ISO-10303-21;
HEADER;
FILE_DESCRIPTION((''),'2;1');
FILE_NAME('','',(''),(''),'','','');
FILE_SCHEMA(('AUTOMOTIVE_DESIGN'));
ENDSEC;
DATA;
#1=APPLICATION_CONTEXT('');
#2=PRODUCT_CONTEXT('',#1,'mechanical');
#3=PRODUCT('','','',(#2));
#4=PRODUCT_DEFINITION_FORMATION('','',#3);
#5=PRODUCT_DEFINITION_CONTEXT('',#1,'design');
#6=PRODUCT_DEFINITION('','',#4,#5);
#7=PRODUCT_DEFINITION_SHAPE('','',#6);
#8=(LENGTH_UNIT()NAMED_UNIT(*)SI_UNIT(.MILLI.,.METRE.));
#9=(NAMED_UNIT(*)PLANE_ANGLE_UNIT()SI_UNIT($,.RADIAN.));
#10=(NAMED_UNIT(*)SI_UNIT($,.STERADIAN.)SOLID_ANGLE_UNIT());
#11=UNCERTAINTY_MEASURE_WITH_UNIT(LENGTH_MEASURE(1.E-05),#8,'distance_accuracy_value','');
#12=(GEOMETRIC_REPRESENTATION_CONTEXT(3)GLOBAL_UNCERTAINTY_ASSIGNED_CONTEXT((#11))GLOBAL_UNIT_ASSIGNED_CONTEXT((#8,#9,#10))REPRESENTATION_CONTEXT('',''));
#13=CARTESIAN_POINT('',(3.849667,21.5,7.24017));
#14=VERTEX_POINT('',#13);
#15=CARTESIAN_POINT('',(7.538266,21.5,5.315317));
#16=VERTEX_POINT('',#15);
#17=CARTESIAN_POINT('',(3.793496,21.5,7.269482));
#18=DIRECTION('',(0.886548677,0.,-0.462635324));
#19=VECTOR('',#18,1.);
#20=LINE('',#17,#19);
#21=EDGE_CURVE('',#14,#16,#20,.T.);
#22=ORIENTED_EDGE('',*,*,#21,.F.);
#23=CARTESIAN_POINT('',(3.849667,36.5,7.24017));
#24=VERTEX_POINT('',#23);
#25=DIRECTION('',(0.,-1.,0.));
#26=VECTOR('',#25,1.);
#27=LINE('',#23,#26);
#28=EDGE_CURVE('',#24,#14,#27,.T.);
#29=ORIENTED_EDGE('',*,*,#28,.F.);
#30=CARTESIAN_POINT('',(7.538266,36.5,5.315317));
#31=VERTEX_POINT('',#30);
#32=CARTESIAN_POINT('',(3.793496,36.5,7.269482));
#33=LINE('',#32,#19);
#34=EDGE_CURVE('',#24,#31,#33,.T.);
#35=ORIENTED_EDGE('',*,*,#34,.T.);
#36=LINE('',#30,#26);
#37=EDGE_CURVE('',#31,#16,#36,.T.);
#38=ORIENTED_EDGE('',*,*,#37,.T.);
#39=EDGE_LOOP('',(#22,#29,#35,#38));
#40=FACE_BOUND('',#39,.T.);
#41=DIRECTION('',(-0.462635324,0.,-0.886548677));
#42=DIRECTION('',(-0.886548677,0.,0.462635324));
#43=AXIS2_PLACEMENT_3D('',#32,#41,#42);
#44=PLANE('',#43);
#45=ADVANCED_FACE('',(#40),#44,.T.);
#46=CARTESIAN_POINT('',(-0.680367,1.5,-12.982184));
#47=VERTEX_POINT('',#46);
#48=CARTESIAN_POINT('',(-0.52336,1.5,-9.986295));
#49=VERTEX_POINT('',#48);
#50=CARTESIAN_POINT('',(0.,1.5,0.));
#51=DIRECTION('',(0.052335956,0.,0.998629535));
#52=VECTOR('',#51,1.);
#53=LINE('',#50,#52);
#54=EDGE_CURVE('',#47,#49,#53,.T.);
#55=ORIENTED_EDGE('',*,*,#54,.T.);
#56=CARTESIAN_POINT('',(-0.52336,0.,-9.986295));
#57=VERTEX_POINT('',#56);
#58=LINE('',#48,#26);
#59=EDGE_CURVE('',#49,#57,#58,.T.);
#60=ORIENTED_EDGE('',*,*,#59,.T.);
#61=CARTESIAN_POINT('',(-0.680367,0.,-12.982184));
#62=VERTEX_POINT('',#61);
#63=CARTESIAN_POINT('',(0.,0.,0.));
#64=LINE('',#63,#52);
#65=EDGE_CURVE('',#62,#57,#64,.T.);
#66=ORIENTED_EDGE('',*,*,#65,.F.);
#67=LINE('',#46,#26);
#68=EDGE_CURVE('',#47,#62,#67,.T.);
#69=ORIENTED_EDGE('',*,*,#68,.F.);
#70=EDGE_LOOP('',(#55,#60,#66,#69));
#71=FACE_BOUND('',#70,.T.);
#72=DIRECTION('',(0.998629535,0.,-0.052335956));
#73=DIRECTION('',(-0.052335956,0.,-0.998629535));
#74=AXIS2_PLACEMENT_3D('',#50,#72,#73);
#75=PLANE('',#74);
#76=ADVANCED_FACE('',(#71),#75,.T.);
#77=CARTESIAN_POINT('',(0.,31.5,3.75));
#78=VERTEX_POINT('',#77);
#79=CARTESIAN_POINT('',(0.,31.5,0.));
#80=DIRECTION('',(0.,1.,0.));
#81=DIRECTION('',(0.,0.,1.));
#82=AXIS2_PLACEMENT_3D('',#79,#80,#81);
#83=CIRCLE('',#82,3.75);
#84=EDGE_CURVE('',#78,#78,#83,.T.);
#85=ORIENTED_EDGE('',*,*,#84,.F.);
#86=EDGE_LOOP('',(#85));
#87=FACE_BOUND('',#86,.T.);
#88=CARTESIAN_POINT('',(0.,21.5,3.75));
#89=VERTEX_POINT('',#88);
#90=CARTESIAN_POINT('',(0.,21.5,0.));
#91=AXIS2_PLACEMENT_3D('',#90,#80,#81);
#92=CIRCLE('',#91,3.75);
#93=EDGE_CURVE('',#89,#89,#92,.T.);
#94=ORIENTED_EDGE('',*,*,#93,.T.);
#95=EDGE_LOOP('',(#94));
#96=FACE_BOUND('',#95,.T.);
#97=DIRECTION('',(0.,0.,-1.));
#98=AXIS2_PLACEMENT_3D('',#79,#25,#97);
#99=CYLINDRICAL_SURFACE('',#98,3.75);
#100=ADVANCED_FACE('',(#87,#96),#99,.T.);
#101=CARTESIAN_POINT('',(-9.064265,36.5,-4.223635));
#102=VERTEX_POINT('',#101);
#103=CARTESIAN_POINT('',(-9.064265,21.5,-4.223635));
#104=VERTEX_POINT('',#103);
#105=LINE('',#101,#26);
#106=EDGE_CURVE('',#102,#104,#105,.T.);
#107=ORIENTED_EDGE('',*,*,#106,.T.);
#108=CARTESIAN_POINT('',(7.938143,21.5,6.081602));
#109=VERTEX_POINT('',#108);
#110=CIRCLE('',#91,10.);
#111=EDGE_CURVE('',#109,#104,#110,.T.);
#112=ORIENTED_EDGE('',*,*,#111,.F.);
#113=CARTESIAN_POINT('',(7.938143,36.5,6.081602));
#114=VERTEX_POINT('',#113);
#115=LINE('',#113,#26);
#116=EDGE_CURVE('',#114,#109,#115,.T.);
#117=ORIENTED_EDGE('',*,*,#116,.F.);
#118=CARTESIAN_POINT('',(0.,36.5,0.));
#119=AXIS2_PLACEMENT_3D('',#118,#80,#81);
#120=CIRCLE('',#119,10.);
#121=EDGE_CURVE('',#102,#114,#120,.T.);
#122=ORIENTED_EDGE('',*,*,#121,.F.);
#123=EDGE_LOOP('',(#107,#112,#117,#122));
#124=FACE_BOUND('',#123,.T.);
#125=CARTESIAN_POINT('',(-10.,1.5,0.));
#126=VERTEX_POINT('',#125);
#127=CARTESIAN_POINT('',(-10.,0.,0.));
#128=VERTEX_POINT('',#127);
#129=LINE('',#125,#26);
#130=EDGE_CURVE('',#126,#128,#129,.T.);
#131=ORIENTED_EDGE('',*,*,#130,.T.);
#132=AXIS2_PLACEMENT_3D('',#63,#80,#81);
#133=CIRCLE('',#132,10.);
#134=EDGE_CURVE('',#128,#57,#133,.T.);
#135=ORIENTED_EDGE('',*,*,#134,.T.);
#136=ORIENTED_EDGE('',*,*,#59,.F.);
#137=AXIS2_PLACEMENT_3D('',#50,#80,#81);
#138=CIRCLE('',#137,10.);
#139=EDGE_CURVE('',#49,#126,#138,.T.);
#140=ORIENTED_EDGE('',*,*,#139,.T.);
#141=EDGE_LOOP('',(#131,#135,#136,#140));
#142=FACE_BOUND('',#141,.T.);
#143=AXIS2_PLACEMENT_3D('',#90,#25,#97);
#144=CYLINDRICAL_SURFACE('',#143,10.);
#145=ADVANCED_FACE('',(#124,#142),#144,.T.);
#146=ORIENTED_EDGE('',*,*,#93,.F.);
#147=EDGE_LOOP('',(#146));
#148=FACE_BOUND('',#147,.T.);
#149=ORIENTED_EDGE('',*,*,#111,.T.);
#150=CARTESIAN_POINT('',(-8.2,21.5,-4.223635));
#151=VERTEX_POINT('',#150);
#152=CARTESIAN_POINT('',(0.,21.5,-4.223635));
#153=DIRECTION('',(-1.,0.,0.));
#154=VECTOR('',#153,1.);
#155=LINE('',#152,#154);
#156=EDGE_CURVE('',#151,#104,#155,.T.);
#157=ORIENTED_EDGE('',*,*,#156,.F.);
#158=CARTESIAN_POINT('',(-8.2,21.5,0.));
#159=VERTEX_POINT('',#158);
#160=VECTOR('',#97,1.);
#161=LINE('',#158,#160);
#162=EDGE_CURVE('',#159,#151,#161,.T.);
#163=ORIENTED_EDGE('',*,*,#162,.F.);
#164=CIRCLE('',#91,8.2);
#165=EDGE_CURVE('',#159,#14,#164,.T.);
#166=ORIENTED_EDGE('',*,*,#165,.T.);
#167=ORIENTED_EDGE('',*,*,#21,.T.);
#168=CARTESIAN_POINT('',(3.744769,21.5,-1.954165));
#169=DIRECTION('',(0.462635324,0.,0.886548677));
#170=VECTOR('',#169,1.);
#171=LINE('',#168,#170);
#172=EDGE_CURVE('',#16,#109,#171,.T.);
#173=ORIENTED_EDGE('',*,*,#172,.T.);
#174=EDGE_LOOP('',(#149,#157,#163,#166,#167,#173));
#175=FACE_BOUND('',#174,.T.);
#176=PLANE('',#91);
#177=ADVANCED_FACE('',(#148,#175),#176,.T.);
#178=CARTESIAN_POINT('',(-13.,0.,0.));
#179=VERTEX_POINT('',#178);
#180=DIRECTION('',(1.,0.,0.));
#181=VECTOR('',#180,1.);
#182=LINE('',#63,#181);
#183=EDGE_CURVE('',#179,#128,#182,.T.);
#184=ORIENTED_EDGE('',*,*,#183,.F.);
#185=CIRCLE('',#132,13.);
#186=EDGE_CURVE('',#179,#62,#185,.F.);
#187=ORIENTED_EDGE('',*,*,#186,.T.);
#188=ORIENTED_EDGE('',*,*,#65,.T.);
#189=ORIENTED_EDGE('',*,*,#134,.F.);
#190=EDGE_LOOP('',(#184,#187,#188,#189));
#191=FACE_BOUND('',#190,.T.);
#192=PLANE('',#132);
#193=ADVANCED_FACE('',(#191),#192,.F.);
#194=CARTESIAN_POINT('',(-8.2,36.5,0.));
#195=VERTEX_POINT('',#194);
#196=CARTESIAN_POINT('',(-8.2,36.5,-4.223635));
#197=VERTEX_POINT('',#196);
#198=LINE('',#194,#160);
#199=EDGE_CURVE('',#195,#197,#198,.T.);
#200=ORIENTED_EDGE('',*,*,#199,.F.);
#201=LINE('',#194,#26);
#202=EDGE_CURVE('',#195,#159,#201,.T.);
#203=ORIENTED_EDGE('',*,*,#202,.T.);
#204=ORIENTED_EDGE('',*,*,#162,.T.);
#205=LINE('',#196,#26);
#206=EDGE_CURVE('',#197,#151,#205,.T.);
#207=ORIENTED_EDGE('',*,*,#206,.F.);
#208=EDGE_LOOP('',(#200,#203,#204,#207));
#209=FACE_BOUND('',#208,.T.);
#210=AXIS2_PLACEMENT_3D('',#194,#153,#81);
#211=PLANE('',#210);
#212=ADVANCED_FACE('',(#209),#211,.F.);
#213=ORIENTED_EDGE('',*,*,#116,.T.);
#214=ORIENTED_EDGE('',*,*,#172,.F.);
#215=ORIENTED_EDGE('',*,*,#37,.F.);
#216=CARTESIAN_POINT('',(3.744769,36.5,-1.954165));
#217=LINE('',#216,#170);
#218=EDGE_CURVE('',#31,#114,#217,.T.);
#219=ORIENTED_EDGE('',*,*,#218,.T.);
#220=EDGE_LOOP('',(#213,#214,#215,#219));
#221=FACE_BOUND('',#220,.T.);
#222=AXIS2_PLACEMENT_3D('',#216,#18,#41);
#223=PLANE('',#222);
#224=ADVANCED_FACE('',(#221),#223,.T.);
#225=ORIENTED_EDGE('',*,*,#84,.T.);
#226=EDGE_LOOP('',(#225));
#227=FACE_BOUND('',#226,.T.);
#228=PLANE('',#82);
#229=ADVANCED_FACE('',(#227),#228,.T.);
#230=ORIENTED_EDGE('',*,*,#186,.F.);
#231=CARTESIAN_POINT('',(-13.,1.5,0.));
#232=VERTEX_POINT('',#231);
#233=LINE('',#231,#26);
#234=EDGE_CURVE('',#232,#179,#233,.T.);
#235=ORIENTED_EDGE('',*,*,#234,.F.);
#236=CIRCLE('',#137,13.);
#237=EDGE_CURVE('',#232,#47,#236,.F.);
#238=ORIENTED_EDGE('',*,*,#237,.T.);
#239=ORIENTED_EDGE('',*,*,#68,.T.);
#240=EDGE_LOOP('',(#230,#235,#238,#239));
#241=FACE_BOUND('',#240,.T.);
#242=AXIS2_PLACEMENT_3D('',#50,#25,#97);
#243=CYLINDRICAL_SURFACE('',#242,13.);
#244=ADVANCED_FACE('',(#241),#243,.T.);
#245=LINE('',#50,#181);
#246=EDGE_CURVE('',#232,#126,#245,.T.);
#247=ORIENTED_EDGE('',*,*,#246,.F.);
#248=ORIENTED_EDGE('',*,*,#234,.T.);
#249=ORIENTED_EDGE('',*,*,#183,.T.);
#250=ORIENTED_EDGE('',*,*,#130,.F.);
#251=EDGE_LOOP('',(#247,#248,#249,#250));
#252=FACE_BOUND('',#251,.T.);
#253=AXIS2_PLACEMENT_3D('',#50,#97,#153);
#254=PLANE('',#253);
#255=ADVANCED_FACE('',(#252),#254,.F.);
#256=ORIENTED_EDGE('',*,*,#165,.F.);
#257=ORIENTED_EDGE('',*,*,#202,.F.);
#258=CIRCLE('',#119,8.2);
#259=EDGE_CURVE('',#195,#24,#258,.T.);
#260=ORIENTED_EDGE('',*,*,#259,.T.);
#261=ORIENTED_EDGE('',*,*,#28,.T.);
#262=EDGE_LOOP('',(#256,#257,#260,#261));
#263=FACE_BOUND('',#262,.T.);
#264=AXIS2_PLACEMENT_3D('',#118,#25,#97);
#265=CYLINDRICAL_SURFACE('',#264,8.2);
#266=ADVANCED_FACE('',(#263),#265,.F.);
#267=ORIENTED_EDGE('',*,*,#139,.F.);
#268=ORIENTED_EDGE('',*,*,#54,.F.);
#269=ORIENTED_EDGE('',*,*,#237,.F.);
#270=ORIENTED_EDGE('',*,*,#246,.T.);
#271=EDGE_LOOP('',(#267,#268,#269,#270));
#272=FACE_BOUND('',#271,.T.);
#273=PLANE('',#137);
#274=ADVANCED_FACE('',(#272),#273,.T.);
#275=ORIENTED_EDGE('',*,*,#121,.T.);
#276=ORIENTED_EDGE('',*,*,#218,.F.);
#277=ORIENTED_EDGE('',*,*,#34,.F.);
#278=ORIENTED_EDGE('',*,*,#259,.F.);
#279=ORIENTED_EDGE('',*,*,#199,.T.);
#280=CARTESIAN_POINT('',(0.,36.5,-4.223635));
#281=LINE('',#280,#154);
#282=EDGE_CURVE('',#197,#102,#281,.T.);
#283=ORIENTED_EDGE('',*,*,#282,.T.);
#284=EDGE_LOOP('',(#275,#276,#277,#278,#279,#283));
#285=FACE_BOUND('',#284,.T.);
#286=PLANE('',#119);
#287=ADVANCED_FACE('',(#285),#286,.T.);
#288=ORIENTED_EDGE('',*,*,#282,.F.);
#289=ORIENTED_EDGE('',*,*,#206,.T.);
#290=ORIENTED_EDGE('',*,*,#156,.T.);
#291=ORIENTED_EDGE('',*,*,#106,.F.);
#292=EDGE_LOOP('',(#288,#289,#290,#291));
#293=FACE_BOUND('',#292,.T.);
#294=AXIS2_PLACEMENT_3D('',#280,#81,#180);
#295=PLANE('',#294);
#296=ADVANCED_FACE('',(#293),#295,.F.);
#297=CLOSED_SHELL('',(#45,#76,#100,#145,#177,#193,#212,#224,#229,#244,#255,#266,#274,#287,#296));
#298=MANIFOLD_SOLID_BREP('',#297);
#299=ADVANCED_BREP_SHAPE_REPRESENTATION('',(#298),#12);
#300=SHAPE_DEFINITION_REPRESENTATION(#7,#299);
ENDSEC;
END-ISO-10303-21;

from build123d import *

# Parameters (mm, degrees)
SKETCH1_R           = 10
SKETCH1_R_2         = 8.018181818
BOSS_EXTRUDE1_DEPTH = 21.5
BOSS_EXTRUDE2_DEPTH = 15
SKETCH3_R           = 3.75
BOSS_EXTRUDE3_DEPTH = 10
BOSS_EXTRUDE4_DEPTH = 1.5


with BuildPart() as part:
    # Sketch1 → Boss-Extrude1 (new body)
    # profile 1 of 2: a face of its own
    with BuildSketch(Plane(origin=(0, 0, 0), x_dir=(1, 0, 0), z_dir=(0, 1, 0))):
        with Locations(Location((0, 0, 0), (0, 0, 270))):
            Circle(SKETCH1_R)
        Circle(SKETCH1_R_2, mode=Mode.SUBTRACT)
    # profile 2 of 2: a face of its own
    with BuildSketch(Plane(origin=(0, 0, 0), x_dir=(1, 0, 0), z_dir=(0, 1, 0))):
        Circle(SKETCH1_R_2)
    extrude(amount=BOSS_EXTRUDE1_DEPTH)

    # Sketch2 → Boss-Extrude2 (add)
    with BuildSketch(Plane(origin=(0, 21.5, 0), x_dir=(1, 0, 0), z_dir=(0, 1, 0))):
        with BuildLine():
            ThreePointArc((3.849666815, -7.240170261), (-4.223312214, -7.028771866), (-8.2, 0))
            Line((-8.2, 0), (-8.2, 4.223635209))
            Line((-8.2, 4.223635209), (-9.064265311, 4.223635209))
            ThreePointArc((-9.064265311, 4.223635209), (-5.183292284, -8.551811568), (7.938142814, -6.081602475))
            Line((7.938142814, -6.081602475), (7.538265506, -5.315317068))
            Line((7.538265506, -5.315317068), (3.849666815, -7.240170261))
        make_face()
    extrude(amount=BOSS_EXTRUDE2_DEPTH)

    # Sketch3 → Boss-Extrude3 (add)
    with BuildSketch(Plane(origin=(0, 21.5, 0), x_dir=(1, 0, 0), z_dir=(0, 1, 0))):
        with Locations(Location((0, 0, 0), (0, 0, 270))):
            Circle(SKETCH3_R)
    extrude(amount=BOSS_EXTRUDE3_DEPTH)

    # Sketch4 → Boss-Extrude4 (add)
    with BuildSketch(Plane(origin=(0, 0, 0), x_dir=(1, 0, 0), z_dir=(0, 1, 0))):
        with BuildLine():
            ThreePointArc((-0.680367431, 12.982183952), (-9.429866823, 8.948609484), (-13, 0))
            Line((-13, 0), (-10, 0))
            ThreePointArc((-10, 0), (-9.99657325, 0.261769483), (-9.986295348, 0.523359562))
            ThreePointArc((-9.986295348, 0.523359562), (-7.071067812, 7.071067812), (-0.523359562, 9.986295348))
            Line((-0.523359562, 9.986295348), (-0.680367431, 12.982183952))
        make_face()
    extrude(amount=BOSS_EXTRUDE4_DEPTH)


solid = part.part
